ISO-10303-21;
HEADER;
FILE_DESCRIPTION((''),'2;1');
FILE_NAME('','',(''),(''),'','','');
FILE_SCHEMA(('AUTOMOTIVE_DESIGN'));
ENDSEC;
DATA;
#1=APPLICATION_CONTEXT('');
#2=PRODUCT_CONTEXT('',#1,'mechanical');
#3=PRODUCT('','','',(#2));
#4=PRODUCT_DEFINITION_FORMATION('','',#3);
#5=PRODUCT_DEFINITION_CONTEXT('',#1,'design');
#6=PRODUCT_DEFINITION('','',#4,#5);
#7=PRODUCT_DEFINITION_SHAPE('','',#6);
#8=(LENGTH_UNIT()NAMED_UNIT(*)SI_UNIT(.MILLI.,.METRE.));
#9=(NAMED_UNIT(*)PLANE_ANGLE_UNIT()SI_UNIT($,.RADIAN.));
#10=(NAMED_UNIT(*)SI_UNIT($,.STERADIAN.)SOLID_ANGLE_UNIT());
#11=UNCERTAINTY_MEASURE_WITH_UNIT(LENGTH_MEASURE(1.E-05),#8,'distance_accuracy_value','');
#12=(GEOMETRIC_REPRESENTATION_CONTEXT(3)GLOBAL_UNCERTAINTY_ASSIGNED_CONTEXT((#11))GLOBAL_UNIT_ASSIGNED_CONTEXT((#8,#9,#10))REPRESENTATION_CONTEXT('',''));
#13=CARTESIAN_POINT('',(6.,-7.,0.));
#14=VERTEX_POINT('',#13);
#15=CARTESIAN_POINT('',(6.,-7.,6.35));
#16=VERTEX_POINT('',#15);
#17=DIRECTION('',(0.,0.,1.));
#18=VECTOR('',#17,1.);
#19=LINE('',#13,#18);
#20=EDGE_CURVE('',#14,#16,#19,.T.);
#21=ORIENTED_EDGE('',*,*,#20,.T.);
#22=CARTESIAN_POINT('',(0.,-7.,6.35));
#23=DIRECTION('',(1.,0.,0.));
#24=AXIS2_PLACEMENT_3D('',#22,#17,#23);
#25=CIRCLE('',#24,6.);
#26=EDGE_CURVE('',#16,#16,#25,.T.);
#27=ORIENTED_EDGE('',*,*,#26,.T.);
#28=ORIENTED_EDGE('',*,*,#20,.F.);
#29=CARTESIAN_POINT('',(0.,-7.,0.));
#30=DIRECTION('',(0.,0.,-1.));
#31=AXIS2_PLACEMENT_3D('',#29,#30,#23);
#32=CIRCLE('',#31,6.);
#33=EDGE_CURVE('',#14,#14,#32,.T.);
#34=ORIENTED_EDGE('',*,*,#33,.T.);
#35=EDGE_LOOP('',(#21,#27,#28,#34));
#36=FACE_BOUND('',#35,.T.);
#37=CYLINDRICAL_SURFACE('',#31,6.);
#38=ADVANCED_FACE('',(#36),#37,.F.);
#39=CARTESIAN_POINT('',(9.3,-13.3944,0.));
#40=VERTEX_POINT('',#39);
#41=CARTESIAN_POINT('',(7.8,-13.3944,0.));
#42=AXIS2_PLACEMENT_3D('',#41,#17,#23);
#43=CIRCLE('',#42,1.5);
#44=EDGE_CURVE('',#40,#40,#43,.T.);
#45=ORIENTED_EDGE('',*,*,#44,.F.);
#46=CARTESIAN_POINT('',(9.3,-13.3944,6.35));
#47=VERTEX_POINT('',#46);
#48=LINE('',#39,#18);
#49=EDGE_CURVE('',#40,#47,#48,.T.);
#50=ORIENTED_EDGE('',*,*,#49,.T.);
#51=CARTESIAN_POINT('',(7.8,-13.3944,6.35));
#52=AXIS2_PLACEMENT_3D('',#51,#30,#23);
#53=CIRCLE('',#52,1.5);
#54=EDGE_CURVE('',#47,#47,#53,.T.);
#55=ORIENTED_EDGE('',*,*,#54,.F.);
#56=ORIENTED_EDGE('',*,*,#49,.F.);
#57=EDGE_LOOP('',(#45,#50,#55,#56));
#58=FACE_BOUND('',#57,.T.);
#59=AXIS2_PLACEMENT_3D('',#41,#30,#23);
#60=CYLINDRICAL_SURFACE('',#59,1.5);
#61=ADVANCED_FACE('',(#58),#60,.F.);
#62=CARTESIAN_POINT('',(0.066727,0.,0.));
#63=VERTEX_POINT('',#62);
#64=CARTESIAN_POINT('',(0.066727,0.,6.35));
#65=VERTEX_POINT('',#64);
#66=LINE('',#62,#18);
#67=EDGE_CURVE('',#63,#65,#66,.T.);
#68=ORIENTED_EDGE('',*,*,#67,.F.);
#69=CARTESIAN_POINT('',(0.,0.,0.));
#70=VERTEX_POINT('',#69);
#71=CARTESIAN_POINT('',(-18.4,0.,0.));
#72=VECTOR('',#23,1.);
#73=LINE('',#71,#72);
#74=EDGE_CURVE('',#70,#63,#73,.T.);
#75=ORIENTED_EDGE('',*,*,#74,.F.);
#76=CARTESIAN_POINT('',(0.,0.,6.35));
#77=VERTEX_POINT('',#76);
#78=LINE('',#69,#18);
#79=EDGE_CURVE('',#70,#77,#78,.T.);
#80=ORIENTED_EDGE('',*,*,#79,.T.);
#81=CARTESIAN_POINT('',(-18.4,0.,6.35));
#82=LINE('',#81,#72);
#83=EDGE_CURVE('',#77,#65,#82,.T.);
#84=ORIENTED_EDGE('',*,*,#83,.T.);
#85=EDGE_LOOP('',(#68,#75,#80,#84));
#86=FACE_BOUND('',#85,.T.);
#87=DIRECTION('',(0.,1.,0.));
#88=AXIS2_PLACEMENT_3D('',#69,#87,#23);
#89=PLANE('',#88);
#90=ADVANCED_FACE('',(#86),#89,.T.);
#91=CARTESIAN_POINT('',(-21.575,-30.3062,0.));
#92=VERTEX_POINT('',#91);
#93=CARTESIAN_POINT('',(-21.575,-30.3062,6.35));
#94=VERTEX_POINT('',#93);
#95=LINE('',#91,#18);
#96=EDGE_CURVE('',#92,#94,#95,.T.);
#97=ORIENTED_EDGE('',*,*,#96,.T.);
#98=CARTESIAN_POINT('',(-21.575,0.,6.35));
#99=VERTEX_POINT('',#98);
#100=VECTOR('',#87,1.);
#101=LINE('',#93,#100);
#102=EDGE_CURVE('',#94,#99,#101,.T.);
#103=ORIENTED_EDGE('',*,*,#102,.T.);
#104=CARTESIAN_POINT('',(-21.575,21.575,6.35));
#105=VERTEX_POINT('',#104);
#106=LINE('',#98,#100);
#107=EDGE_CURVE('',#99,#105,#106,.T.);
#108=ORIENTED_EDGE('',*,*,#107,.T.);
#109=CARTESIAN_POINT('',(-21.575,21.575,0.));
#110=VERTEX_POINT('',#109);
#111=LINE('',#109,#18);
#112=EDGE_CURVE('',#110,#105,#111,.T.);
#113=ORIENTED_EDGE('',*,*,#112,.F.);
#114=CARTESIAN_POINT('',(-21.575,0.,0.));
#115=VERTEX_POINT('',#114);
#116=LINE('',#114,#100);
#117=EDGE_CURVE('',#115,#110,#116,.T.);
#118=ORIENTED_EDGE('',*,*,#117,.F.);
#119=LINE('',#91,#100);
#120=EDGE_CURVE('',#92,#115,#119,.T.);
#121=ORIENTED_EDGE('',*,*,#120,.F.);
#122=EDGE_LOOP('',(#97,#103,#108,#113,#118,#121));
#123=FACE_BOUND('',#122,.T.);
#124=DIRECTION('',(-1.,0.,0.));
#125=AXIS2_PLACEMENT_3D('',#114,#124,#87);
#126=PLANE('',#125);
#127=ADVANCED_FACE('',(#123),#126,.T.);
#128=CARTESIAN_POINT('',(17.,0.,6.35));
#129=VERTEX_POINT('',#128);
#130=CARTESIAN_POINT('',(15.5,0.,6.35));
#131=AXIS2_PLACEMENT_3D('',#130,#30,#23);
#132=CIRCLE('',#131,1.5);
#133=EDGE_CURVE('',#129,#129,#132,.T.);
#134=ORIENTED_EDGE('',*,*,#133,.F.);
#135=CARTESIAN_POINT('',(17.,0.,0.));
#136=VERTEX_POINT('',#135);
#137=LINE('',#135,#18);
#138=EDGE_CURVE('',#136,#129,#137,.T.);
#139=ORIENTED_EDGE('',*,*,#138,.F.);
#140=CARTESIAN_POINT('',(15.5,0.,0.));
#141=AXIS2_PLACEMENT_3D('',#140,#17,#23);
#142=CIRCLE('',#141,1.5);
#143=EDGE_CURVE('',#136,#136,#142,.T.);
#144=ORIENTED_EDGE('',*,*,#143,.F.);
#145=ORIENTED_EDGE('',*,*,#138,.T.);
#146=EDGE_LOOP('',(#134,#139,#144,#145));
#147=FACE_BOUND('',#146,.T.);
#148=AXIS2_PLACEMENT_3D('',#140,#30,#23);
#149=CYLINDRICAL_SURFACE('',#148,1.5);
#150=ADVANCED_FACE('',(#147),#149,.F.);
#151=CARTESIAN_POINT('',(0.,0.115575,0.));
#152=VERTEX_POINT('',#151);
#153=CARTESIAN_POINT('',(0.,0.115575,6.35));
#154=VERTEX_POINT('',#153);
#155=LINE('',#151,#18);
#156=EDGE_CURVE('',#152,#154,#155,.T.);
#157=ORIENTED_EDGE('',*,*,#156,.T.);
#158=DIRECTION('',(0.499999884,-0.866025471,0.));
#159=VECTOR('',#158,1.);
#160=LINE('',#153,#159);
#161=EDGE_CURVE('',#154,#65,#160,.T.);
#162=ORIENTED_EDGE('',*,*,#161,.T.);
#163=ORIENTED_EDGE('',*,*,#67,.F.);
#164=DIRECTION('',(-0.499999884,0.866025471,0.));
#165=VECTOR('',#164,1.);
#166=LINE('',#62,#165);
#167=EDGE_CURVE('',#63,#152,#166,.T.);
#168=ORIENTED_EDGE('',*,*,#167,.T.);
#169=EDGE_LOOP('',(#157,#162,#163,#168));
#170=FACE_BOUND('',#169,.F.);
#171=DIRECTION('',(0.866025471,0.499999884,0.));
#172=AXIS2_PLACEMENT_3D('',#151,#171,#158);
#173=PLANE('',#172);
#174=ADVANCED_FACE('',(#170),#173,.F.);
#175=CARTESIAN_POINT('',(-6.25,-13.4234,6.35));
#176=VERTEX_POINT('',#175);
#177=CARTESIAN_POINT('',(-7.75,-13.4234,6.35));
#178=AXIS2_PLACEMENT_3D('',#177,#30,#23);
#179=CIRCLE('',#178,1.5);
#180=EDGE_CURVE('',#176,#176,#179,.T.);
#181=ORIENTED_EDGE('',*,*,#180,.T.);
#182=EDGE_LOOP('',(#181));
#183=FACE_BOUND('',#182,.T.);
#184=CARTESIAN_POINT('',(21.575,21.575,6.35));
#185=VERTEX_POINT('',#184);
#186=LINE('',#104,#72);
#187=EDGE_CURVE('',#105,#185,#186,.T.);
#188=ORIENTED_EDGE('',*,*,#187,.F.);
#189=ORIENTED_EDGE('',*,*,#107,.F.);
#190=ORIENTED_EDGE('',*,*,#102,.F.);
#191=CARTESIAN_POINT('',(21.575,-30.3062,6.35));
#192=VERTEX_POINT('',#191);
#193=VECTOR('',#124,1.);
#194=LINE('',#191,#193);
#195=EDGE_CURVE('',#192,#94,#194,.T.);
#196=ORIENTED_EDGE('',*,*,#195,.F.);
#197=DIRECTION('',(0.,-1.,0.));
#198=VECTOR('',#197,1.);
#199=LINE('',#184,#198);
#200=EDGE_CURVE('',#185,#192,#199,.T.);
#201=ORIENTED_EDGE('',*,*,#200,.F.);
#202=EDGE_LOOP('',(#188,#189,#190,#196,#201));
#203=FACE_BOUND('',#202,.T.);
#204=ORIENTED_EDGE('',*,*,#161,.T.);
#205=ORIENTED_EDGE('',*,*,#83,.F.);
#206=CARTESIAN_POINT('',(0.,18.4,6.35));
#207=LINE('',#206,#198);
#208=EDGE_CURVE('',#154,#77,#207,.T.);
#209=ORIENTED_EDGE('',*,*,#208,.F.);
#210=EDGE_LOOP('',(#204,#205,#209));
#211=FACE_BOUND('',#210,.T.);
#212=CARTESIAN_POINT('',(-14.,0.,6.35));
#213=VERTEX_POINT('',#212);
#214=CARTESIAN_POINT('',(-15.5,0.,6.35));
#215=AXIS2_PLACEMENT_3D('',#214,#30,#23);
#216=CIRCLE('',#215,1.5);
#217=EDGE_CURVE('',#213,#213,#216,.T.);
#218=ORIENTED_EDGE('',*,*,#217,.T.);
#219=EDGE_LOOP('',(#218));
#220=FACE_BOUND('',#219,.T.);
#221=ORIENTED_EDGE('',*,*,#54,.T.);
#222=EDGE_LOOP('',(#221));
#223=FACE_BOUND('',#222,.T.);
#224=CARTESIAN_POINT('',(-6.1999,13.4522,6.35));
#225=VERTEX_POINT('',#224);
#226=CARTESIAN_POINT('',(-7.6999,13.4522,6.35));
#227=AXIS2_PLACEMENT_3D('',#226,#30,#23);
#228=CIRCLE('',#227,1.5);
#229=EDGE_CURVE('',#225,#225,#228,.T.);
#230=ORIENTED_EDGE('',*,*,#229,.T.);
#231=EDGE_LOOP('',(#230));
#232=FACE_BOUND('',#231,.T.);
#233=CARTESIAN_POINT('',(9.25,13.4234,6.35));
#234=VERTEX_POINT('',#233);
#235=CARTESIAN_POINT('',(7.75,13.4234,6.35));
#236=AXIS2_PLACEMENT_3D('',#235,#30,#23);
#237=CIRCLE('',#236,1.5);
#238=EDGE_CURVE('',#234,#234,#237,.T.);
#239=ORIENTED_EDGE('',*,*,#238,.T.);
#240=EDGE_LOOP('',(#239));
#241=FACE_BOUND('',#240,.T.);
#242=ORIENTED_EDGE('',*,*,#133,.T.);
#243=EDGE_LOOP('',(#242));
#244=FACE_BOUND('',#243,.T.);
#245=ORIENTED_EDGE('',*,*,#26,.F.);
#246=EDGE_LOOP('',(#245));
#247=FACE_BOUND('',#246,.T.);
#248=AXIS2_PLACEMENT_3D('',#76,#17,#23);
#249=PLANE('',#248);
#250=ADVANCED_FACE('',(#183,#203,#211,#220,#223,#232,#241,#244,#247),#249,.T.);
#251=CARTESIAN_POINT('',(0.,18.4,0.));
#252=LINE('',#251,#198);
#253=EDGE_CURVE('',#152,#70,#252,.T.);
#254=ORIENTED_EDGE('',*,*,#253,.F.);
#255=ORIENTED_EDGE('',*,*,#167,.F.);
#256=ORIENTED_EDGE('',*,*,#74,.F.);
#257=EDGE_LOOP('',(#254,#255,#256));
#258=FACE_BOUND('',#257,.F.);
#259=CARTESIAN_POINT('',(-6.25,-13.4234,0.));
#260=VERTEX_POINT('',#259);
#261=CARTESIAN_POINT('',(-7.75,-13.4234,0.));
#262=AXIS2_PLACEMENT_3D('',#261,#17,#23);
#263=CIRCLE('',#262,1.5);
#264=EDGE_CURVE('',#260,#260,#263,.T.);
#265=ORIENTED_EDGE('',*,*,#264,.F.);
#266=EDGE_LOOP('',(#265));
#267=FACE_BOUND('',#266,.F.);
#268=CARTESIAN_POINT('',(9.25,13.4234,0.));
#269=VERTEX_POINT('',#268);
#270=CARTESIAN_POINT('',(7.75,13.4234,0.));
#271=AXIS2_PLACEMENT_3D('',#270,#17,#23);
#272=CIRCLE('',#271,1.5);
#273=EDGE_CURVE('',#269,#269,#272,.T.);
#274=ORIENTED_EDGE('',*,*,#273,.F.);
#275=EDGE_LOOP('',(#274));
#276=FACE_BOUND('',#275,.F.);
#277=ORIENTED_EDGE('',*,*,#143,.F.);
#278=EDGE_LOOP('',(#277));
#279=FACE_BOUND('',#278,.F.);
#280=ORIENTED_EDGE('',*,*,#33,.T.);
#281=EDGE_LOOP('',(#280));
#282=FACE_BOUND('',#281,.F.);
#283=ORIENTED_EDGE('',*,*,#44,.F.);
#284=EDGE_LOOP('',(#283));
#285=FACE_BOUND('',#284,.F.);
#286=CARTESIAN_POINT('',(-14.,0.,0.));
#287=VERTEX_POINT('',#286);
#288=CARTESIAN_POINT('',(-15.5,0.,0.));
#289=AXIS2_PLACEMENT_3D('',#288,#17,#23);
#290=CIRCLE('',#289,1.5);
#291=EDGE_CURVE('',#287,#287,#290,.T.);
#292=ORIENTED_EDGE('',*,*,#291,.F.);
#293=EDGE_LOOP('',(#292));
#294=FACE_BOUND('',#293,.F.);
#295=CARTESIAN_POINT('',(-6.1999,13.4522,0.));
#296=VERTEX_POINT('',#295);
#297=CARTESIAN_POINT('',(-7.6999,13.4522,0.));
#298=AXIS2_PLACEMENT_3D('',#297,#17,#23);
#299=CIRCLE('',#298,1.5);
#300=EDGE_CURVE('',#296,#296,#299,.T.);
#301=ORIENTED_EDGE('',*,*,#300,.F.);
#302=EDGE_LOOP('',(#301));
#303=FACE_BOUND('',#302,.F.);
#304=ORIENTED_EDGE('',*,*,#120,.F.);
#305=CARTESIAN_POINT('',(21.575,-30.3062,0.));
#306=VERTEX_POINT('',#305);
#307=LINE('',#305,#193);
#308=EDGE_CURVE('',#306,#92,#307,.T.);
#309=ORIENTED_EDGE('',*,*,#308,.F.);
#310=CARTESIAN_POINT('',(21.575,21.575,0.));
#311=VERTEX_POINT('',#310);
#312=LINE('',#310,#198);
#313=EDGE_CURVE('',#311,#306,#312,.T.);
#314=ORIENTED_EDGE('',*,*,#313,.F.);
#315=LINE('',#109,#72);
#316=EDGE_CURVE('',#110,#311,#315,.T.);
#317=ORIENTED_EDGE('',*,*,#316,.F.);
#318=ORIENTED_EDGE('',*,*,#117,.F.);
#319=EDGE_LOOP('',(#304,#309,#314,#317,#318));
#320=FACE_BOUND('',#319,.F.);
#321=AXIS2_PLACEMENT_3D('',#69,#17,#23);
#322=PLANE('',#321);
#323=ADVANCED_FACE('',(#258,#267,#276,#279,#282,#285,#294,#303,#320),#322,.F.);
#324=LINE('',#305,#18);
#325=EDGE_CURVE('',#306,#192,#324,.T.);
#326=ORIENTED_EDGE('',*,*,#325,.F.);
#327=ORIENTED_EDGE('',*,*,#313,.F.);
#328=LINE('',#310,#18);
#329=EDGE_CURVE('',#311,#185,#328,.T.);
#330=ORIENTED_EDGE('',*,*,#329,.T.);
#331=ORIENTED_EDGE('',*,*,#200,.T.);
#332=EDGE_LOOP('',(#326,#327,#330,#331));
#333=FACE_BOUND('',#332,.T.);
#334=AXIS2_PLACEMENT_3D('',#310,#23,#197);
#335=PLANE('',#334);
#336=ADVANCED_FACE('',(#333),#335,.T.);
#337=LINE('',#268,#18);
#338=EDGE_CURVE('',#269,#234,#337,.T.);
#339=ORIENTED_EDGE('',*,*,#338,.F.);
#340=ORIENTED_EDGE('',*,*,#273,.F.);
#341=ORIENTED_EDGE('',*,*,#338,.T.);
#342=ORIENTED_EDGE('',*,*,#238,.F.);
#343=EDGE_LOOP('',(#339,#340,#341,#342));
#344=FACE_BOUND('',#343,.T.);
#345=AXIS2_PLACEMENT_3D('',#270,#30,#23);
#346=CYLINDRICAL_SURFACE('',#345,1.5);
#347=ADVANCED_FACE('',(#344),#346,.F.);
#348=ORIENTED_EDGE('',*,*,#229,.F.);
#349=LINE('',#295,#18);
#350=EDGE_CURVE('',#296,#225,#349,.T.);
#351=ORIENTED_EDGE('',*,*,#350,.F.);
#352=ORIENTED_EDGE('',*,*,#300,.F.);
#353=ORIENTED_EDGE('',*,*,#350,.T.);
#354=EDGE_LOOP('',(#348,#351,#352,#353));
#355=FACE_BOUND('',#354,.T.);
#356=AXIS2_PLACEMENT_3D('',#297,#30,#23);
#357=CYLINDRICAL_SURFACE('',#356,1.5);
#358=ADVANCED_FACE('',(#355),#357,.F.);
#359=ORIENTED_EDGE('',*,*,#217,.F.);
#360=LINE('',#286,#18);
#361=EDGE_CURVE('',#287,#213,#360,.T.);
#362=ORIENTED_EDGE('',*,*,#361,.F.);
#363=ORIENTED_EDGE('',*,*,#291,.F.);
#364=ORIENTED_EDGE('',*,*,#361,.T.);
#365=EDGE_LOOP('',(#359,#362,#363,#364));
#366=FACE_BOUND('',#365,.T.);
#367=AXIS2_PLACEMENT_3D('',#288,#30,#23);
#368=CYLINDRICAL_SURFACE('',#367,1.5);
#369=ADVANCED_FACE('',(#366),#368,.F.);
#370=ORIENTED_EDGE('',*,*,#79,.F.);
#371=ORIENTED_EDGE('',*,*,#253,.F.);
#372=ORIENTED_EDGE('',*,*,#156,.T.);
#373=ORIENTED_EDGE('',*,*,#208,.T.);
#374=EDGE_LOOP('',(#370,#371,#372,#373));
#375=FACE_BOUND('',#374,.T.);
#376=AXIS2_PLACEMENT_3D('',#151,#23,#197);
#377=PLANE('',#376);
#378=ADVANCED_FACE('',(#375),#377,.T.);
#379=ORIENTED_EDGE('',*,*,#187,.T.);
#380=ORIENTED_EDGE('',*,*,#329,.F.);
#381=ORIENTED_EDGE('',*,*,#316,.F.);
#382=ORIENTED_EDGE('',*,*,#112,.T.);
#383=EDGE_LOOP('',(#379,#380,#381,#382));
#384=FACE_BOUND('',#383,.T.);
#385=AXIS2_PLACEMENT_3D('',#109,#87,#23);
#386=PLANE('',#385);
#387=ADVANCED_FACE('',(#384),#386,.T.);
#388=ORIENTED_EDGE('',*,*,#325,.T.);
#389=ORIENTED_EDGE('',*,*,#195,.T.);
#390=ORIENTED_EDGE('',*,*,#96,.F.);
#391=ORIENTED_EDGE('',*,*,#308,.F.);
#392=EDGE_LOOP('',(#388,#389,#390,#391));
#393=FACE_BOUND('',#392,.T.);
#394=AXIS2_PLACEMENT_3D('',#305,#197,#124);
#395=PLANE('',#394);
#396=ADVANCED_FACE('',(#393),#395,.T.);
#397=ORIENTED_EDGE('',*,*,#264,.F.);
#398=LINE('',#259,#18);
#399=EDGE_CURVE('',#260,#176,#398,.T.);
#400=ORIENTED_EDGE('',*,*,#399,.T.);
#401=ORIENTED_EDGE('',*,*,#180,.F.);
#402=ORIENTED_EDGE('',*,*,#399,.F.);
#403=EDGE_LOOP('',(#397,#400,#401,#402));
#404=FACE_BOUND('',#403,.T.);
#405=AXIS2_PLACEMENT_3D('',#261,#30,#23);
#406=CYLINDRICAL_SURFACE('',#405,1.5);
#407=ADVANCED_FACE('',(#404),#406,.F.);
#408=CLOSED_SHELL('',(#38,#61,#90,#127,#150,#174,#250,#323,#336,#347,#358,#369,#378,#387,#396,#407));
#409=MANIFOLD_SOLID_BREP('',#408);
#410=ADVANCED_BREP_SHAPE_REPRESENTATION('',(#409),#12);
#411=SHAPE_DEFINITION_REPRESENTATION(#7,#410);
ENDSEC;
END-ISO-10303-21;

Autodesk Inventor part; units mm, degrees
ref_plane "YZ Plane" through (0, 0, 0) normal (1, 0, 0) x (0, 1, 0)
ref_plane "XZ Plane" through (0, 0, 0) normal (0, 1, 0) x (-1, 0, 0)
ref_plane "XY Plane" through (0, 0, 0) normal (0, 0, 1) x (1, 0, 0)
sketch "Sketch1" plane through (0, 0, 0) normal (0, 0, 1) x (1, 0, 0)
  point P0 (0, 0)
ref_plane "Work Plane1" through (0, 0, 0) normal (0, 0, 1) x (1, 0, 0)
sketch "Sketch5" plane through (0, 0, 0) normal (0, 0, 1) x (1, 0, 0)
  circle A0 centre (-15.5, 0) radius 1.5
  circle A1 centre (0, 0) radius 18.4 projected
  line L0 (-18.4, 0) -> (18.4, 0)
  line L1 (-1.5961, -18.3306) -> (-1.5961, -18.3306)
  line L2 (0, 18.4) -> (0, -18.4)
  circle A2 centre (0, -7) radius 6
  circle A3 centre (15.5, 0) radius 1.5
  circle A4 centre (0, 0) radius 15.5
  line L3 (-11.863, 20.6629) -> (9.25, -15.9059)
  circle A5 centre (0, 0) radius 18.4 projected
  line L4 (-9.2, -15.9349) -> (9.2, 15.9349)
  circle A6 centre (7.8, -13.3944) radius 1.5
  circle A7 centre (7.75, 13.4234) radius 1.5
  circle A8 centre (-7.75, -13.4234) radius 1.5
  circle A9 centre (-7.6999, 13.4522) radius 1.5
  line L5 (0, 0) -> (-21.575, 0)
  line L6 (-21.575, 0) -> (-21.575, 21.575)
  line L7 (-21.575, 21.575) -> (21.575, 21.575)
  line L8 (21.575, 21.575) -> (21.575, -30.3062)
  line L9 (21.575, -30.3062) -> (-21.575, -30.3062)
  line L10 (-21.575, -30.3062) -> (-21.575, 21.575)
  point P0 (7.75, 13.4234)
  point P1 (7.8, -13.3944)
  point P2 (-0.5944, -1.0295)
  point P3 (0, 0.1156)
  point P4 (0.6654, -1.037)
  point P5 (0.0667, 0)
  dimension "d10" = 3
  dimension "d11" = 12
  dimension "d12" = 7
  dimension "d15" = 3
  dimension "d16" = 31
  dimension "d17" = 2.9
  dimension "d19" = 60
  dimension "d20" = 60
  dimension "d21" = 3
  dimension "d22" = 3
  dimension "d23" = 3
  dimension "d24" = 3
  dimension "d33" = 21.575
  dimension "d34" = 43.15
  dimension "d35" = 30.3062
  dimension "d36" = 21.575
extrude "Extrusion8" add sketch "Sketch5" along normal blind 6.35 contours L0 L4 A2 A8 A4 A0 | A0 A4 A9 L3 L2 L0 | A0 L0 A1 L3 A9 A4 | A4 A8 L4 A1 L0 A0 | L0 L3 A2 L2 | L2 A2 L4 | L3 L4 A7 A4 A3 L0 | L0 A3 A4 A6 L3 A2 | L3 A9 A4 L2 | L2 A4 A7 L4 L3 | L6 L7 L8 L9 L10 | L3 A1 L2 A4 A9 | L4 A2 L2 A4 A8 | A8 A4 L2 A1 L4 | L2 A1 L4 A7 A4 | A2 L3 A6 A4 L2 | A4 A7 L4 A1 L0 A3 | A3 L0 A1 L3 A6 A4 | A4 A6 L3 A1 L2 picked at (-0.0661, -0.6678)
equation "\"d33\" = MountOffset"
equation "\"d34\" = 2 * MountOffset"
equation "\"d35\" = longMountLength"
equation "\"d36\" = shortMountLength"
equation "\"d37\" = mountDepth"
equation "\"motorDiameter\" = 36.8"
equation "\"mountDepth\" = 6.35"
equation "\"MountOffset\" = 21.575"
equation "\"longMountLength\" = 30.30625"
equation "\"shortMountLength\" = 21.575"
properties part number "Motor"
